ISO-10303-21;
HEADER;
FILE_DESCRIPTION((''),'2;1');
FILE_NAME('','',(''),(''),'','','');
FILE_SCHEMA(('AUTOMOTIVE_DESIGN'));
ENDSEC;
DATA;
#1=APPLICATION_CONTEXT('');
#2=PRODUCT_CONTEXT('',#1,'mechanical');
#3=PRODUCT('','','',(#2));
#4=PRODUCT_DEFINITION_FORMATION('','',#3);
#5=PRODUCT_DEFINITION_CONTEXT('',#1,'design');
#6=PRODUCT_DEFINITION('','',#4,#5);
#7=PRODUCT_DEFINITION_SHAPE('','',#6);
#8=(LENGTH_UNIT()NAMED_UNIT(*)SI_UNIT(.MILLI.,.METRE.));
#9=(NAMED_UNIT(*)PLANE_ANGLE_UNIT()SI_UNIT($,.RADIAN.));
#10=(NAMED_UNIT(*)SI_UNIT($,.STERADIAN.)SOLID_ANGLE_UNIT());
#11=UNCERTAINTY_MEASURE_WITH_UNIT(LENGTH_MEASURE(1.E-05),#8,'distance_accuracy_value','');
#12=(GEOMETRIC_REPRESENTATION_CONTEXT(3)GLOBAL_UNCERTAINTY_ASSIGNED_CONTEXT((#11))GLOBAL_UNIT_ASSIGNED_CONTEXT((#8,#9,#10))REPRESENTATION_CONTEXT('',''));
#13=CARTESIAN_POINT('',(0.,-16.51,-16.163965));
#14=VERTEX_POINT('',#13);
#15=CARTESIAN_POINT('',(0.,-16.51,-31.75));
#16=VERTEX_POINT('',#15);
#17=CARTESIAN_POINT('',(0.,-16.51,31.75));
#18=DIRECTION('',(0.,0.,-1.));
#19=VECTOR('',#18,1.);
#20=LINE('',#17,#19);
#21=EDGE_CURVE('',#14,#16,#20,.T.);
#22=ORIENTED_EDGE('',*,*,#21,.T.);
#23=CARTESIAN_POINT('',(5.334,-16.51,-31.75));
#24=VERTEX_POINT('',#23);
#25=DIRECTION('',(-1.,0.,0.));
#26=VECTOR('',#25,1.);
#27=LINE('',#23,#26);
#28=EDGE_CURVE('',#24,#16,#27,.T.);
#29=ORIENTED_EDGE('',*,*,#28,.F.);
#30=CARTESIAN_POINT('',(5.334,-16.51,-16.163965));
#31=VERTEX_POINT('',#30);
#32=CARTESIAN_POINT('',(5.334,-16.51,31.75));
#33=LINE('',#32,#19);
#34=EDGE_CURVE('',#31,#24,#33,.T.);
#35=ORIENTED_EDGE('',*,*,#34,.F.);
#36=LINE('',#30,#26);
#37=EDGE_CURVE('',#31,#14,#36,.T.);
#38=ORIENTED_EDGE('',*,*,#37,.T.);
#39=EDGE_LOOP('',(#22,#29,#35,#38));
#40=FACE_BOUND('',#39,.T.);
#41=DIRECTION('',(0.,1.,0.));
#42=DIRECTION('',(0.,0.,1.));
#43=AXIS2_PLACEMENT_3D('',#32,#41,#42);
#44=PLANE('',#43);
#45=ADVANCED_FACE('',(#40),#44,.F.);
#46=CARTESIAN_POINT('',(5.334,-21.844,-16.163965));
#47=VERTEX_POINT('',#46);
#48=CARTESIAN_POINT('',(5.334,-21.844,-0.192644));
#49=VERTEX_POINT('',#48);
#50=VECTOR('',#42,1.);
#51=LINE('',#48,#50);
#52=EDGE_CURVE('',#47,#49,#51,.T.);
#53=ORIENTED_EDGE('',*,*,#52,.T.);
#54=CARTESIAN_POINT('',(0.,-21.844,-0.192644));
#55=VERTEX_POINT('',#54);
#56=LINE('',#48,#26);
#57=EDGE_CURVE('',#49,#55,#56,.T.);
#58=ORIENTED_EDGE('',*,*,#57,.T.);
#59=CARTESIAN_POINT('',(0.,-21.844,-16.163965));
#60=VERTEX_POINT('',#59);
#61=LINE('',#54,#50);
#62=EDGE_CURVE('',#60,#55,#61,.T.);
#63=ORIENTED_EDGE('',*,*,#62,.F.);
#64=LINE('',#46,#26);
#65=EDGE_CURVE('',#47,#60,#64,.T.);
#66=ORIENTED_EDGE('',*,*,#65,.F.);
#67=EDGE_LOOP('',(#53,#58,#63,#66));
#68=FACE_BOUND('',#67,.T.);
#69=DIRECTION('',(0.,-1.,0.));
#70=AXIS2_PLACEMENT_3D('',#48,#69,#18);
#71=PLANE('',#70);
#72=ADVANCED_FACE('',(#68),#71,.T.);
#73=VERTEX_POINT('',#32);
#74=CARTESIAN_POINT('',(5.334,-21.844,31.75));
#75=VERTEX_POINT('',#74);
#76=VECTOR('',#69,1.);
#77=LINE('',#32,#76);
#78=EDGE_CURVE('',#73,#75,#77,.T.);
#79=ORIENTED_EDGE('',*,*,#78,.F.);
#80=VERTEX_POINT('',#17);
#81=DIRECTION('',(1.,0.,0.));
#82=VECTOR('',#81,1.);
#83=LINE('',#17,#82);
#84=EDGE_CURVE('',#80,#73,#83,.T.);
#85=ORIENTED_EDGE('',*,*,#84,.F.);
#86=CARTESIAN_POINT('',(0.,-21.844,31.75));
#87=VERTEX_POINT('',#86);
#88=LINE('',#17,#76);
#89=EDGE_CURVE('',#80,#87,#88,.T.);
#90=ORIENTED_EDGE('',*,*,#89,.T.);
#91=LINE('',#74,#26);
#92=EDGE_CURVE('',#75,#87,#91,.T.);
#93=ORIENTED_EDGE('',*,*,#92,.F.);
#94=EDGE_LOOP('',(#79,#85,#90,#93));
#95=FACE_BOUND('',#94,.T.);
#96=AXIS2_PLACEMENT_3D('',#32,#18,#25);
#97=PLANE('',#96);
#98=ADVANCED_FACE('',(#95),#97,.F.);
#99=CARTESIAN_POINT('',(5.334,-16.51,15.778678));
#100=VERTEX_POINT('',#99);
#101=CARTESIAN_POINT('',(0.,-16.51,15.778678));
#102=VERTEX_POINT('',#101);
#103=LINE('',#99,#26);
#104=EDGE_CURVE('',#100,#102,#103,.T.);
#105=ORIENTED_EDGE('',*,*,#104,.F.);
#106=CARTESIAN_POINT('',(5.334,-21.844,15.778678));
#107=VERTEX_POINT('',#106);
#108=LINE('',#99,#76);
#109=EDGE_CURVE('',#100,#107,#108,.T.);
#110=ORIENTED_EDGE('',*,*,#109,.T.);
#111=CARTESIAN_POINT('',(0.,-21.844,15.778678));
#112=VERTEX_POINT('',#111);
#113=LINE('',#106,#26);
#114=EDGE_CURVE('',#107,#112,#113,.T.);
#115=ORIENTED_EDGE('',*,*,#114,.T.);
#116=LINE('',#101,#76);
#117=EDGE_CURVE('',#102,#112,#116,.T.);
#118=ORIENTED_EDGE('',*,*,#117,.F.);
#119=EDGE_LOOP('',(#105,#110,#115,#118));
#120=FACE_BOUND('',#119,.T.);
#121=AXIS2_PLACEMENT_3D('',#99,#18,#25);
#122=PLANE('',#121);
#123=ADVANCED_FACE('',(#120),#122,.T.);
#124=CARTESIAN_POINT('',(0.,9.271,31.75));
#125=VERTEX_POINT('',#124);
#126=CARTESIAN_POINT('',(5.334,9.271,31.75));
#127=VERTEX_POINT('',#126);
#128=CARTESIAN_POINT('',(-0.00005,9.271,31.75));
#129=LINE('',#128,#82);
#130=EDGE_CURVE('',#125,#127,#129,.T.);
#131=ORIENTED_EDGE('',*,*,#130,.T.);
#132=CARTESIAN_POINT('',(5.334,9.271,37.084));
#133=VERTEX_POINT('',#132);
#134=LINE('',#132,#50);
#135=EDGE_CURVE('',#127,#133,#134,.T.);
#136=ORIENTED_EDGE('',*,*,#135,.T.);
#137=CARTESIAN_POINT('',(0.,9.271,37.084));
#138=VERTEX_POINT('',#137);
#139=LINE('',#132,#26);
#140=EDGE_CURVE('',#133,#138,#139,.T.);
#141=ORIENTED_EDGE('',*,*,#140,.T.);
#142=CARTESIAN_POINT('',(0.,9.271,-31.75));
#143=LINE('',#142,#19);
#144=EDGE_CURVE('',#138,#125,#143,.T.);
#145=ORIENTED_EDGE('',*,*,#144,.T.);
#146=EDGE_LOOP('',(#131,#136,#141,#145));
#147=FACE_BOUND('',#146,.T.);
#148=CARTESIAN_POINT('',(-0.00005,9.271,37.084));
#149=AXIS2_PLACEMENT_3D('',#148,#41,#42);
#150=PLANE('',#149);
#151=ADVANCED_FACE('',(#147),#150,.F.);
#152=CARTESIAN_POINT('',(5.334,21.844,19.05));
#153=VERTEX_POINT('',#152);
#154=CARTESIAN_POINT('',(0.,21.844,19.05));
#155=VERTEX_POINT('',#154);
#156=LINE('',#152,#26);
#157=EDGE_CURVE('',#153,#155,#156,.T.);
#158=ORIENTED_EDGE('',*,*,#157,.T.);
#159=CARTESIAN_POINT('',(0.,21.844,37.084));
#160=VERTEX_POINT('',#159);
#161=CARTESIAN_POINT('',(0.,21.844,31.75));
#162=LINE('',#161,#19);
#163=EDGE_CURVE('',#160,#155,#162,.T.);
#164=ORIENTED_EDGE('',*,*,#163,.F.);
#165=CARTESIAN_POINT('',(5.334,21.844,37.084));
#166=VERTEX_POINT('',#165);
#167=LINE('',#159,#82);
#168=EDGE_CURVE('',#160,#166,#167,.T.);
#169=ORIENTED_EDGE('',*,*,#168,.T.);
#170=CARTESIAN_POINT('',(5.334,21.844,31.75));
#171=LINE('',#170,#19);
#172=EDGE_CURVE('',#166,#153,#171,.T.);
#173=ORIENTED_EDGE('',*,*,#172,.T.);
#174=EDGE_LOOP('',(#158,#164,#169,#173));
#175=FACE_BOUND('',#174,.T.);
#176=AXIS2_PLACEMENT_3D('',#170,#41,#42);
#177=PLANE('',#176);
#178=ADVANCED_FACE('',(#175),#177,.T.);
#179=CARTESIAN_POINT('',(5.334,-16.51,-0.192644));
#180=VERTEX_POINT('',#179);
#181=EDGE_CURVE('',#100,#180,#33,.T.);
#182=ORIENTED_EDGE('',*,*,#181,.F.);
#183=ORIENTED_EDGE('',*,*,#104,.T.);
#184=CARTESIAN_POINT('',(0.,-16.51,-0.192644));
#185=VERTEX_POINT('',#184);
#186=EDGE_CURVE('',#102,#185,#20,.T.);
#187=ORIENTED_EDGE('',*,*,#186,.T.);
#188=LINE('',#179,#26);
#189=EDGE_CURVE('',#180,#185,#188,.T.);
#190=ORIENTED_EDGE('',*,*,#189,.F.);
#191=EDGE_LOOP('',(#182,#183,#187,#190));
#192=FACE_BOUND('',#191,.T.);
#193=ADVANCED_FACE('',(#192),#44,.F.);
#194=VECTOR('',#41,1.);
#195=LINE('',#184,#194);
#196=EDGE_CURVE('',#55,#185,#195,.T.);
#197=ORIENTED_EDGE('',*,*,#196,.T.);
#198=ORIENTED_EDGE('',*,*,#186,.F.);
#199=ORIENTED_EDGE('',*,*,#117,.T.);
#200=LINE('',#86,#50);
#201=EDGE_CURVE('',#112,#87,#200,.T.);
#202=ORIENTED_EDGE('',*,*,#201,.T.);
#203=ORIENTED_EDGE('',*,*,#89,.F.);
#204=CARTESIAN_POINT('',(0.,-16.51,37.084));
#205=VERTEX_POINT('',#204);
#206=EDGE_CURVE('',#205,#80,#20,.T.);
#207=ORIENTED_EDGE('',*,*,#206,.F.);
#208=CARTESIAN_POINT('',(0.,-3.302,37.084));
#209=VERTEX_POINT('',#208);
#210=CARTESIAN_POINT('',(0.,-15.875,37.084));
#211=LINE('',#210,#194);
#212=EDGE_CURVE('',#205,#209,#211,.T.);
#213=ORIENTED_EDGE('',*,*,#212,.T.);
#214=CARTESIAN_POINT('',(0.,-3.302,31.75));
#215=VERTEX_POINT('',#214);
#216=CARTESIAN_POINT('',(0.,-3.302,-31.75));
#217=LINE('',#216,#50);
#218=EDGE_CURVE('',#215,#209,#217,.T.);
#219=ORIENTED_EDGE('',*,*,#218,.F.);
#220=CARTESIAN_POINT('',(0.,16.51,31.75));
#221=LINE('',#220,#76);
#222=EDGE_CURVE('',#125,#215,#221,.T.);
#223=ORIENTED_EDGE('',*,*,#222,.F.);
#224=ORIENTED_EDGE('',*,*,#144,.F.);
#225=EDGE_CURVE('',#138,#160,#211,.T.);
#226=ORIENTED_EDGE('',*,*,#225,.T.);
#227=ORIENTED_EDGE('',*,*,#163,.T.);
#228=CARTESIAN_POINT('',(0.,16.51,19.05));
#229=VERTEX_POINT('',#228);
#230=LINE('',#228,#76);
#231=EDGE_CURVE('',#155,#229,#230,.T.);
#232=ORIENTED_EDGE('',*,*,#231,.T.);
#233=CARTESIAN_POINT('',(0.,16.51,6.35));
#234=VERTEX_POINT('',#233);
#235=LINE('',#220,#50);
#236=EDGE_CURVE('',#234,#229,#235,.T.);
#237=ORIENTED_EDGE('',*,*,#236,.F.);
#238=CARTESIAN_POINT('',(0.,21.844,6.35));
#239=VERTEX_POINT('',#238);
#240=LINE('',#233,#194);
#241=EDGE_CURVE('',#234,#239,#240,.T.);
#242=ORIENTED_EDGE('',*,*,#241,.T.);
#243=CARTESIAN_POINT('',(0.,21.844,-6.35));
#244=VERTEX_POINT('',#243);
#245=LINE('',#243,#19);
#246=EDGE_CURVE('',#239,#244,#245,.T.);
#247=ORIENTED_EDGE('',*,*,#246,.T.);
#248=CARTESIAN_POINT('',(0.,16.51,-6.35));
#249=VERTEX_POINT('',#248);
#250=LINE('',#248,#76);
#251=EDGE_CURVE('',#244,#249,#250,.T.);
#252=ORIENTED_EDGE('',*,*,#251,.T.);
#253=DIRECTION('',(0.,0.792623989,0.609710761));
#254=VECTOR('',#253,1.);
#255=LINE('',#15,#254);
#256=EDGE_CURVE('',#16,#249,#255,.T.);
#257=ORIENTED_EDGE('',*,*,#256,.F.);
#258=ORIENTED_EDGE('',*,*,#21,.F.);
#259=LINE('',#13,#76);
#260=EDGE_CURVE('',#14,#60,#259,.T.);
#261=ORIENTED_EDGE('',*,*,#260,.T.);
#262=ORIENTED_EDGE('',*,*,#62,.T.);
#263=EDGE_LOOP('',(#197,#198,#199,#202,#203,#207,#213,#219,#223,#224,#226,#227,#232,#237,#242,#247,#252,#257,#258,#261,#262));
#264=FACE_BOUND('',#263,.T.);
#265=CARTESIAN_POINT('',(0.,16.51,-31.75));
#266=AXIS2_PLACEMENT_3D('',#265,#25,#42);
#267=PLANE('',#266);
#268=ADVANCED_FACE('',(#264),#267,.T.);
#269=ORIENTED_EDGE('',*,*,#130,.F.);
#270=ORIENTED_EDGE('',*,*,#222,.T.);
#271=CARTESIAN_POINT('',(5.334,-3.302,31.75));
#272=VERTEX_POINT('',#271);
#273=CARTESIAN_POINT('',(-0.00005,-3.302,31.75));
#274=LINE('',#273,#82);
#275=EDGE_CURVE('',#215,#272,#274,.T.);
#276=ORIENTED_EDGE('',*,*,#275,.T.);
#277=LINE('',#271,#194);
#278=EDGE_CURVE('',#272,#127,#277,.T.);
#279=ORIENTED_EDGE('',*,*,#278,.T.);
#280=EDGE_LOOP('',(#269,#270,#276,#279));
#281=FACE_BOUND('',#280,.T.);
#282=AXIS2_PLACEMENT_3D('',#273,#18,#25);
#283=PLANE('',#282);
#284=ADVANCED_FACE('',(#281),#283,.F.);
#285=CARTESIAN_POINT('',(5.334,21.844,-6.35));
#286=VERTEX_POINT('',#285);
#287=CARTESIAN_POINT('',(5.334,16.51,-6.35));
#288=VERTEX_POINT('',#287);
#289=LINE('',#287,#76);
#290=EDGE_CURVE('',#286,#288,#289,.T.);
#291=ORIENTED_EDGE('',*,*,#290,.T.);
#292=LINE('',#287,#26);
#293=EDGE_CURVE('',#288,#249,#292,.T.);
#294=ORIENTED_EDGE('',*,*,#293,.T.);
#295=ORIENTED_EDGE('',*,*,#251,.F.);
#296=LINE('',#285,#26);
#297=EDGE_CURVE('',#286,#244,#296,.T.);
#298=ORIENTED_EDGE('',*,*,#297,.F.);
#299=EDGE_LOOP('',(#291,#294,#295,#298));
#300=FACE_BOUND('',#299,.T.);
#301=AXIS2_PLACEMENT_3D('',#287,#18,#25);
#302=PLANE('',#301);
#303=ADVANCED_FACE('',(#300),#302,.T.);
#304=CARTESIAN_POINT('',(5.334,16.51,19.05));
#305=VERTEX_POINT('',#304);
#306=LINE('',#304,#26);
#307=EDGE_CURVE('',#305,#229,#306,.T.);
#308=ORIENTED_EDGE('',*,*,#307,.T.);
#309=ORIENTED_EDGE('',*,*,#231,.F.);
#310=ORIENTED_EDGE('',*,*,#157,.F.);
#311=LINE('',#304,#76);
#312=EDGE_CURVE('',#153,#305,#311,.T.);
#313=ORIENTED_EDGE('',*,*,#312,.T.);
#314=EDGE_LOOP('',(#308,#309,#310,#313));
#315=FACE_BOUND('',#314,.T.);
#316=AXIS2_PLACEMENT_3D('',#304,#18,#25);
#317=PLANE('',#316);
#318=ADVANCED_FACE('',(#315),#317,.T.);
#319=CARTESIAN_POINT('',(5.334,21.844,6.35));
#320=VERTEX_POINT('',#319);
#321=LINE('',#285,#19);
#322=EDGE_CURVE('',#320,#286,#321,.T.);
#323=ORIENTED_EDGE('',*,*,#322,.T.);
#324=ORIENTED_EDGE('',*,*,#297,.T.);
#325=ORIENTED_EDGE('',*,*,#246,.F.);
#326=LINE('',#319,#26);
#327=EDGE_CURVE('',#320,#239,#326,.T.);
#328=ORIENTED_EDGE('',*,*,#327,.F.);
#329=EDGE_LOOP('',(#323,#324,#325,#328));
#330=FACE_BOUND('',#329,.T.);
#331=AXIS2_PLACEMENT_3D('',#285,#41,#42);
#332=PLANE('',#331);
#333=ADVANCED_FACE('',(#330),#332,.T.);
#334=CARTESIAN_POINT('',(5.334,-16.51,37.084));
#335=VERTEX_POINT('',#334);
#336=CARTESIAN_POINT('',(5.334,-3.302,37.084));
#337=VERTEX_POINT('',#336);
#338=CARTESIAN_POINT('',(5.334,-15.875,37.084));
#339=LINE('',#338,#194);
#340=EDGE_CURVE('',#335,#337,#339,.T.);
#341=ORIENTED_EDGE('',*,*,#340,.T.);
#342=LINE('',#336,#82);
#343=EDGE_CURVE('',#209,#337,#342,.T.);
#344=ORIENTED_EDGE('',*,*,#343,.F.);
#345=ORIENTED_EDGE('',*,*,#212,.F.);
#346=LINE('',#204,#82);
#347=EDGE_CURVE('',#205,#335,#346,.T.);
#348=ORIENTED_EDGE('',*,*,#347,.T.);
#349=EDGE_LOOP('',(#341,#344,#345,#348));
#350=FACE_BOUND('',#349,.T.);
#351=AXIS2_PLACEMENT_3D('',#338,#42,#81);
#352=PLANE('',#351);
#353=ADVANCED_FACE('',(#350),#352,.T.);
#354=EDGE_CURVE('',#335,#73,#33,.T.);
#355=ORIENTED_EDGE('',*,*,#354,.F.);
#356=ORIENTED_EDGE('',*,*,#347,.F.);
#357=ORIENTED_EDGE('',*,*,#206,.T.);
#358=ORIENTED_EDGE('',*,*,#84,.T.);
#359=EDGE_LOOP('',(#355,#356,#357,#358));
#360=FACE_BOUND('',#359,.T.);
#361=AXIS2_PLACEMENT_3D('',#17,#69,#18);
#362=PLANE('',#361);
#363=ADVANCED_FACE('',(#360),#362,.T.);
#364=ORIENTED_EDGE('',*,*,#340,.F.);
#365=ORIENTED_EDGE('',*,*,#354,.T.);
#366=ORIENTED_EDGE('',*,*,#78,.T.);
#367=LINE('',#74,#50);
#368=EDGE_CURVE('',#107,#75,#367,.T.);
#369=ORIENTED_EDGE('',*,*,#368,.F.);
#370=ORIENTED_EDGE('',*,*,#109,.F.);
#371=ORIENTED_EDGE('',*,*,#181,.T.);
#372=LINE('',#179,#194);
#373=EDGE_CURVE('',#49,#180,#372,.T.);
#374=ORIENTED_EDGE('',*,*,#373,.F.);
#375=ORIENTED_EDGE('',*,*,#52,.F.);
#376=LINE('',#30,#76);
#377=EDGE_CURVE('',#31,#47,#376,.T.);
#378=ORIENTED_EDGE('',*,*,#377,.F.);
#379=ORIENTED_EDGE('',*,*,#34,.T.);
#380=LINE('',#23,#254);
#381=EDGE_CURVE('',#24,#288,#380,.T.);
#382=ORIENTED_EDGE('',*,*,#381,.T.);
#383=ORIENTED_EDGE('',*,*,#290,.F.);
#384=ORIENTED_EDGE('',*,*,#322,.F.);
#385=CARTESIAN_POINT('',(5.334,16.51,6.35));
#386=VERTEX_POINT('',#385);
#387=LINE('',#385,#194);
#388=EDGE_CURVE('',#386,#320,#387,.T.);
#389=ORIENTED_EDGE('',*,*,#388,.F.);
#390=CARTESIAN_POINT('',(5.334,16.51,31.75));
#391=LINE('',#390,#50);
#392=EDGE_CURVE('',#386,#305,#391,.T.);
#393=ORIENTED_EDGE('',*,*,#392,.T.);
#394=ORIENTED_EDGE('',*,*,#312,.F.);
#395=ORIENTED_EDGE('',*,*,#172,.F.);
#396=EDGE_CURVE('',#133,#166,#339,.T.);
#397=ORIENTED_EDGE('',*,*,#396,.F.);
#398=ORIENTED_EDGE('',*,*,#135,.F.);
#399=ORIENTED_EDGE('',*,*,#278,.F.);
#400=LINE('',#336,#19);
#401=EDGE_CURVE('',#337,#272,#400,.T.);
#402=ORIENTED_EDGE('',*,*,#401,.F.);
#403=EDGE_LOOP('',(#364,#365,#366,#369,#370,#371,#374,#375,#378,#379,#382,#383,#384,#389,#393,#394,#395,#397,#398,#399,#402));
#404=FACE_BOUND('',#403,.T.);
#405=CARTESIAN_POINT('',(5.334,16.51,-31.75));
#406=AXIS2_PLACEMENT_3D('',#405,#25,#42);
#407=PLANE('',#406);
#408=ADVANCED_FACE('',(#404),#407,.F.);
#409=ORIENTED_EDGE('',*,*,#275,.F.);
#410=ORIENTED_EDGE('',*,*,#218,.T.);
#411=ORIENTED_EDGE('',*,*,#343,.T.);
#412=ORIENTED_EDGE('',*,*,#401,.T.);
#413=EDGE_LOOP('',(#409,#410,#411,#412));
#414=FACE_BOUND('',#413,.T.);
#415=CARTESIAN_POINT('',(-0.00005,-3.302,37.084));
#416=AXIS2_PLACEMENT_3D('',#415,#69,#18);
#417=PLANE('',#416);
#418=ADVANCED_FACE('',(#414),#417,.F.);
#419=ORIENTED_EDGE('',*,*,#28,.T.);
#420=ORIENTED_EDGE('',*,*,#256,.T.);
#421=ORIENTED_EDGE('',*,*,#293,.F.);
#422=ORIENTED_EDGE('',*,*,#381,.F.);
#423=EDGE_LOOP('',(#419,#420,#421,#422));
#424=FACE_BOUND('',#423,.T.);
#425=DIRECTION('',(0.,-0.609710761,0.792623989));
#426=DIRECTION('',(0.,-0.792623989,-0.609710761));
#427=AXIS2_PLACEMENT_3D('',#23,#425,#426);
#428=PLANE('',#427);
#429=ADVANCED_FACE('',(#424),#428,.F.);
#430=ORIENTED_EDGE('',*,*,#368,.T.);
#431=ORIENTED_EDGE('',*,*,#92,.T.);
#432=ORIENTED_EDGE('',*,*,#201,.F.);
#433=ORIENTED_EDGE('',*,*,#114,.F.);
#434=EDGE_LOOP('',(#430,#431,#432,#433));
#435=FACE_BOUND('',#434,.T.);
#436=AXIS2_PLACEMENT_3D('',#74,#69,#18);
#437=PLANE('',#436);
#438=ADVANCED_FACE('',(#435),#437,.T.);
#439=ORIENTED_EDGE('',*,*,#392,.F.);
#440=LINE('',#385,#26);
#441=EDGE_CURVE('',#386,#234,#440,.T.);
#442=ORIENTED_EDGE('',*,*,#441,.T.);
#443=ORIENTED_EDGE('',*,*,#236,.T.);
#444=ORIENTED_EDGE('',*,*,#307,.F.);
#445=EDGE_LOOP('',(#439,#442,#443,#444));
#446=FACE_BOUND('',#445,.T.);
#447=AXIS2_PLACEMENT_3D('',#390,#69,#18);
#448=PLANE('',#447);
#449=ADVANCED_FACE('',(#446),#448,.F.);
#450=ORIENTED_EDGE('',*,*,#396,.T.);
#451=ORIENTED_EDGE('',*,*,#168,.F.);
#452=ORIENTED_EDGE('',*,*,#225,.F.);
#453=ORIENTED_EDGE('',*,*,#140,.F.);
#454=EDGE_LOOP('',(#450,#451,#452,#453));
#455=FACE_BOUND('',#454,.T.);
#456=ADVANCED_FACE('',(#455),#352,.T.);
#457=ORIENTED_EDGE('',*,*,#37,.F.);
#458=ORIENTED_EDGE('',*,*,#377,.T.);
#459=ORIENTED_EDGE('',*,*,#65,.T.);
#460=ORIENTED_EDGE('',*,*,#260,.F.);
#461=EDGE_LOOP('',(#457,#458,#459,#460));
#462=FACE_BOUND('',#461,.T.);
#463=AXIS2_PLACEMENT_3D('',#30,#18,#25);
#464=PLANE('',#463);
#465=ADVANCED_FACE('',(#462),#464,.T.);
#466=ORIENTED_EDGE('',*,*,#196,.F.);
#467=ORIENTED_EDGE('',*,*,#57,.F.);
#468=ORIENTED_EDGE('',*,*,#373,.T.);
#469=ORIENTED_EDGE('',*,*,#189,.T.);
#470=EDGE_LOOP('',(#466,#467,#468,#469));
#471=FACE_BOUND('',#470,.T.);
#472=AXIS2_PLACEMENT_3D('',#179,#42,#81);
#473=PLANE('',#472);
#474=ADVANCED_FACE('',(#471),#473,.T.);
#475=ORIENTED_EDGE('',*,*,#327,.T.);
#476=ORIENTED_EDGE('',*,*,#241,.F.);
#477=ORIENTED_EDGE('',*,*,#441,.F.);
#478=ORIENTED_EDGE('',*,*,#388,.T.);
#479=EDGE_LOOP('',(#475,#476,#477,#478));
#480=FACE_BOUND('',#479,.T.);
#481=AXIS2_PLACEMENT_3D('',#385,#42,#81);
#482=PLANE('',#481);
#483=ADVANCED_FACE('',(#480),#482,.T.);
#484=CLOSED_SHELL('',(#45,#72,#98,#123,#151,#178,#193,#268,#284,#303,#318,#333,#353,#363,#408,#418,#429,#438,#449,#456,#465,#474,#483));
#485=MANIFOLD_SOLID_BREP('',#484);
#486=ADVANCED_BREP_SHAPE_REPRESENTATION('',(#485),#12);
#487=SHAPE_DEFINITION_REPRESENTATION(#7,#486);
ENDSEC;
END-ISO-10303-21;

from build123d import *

# Parameters (mm, degrees)
SKETCH1_W            = 63.5
SKETCH1_H            = 33.02
BOSS_EXTRUDE1_DEPTH  = 5.334
CUT_EXTRUDE1_DEPTH   = 6.334
SKETCH3_W            = 12.7
SKETCH3_H            = 5.334
SKETCH3_W_2          = 15.971321783
BOSS_EXTRUDE2_DEPTH  = 5.334
SKETCH4_W            = 5.334
SKETCH4_H            = 37.084
BOSS_EXTRUDE7_DEPTH  = 5.334
SKETCH5_W            = 5.334
SKETCH5_H            = 12.573
CUT_EXTRUDE2_DEPTH   = 6.334
SKETCH6_W            = 5.334
SKETCH6_H            = 0.635
BOSS_EXTRUDE9_DEPTH  = 5.334
SKETCH7_W            = 5.334
SKETCH7_H            = 0.635
BOSS_EXTRUDE10_DEPTH = 5.334


with BuildPart() as part:
    # Sketch1 → Boss-Extrude1 (new body)
    with BuildSketch(Plane(origin=(0, 0, 0), x_dir=(0, 0, -1), z_dir=(1, 0, 0))):
        Rectangle(SKETCH1_W, SKETCH1_H)
    extrude(amount=BOSS_EXTRUDE1_DEPTH)

    # Sketch2 → Cut-Extrude1 (cut, through all)
    with BuildSketch(Plane.ZY):
        Polygon((-31.75, -16.51), (-31.75, 16.51), (-6.35, 16.51), align=None)
    extrude(amount=-CUT_EXTRUDE1_DEPTH, mode=Mode.SUBTRACT)

    # Sketch3 → Boss-Extrude2 (add, through all)
    with BuildSketch(Plane.ZY):
        with Locations((25.4, 19.177)):
            Rectangle(SKETCH3_W, SKETCH3_H)
        with Locations((0, 19.177)):
            Rectangle(SKETCH3_W, SKETCH3_H)
        with Locations((23.764339109, -19.177)):
            Rectangle(SKETCH3_W_2, SKETCH3_H)
        with Locations((-8.178304458, -19.177)):
            Rectangle(SKETCH3_W_2, SKETCH3_H)
    extrude(amount=-BOSS_EXTRUDE2_DEPTH)

    # Sketch4 → Boss-Extrude7 (add)
    with BuildSketch(Plane.ZY):
        with Locations((34.417, 2.667)):
            Rectangle(SKETCH4_W, SKETCH4_H)
    extrude(amount=-BOSS_EXTRUDE7_DEPTH)

    # Sketch5 → Cut-Extrude2 (cut, through all)
    with BuildSketch(Plane(origin=(5.334, 0, 0), x_dir=(0, 0, -1), z_dir=(1, 0, 0))):
        with Locations((-34.417, 2.9845)):
            Rectangle(SKETCH5_W, SKETCH5_H)
    extrude(amount=-CUT_EXTRUDE2_DEPTH, mode=Mode.SUBTRACT)

    # Sketch6 → Boss-Extrude9 (add)
    with BuildSketch(Plane(origin=(5.334, 0, 0), x_dir=(0, 0, -1), z_dir=(1, 0, 0))):
        with Locations((-34.417, 21.5265)):
            Rectangle(SKETCH6_W, SKETCH6_H)
    extrude(amount=-BOSS_EXTRUDE9_DEPTH)

    # Sketch7 → Boss-Extrude10 (add)
    with BuildSketch(Plane(origin=(5.334, 0, 0), x_dir=(0, 0, -1), z_dir=(1, 0, 0))):
        with Locations((-34.417, -16.1925)):
            Rectangle(SKETCH7_W, SKETCH7_H)
    extrude(amount=-BOSS_EXTRUDE10_DEPTH)


solid = part.part
